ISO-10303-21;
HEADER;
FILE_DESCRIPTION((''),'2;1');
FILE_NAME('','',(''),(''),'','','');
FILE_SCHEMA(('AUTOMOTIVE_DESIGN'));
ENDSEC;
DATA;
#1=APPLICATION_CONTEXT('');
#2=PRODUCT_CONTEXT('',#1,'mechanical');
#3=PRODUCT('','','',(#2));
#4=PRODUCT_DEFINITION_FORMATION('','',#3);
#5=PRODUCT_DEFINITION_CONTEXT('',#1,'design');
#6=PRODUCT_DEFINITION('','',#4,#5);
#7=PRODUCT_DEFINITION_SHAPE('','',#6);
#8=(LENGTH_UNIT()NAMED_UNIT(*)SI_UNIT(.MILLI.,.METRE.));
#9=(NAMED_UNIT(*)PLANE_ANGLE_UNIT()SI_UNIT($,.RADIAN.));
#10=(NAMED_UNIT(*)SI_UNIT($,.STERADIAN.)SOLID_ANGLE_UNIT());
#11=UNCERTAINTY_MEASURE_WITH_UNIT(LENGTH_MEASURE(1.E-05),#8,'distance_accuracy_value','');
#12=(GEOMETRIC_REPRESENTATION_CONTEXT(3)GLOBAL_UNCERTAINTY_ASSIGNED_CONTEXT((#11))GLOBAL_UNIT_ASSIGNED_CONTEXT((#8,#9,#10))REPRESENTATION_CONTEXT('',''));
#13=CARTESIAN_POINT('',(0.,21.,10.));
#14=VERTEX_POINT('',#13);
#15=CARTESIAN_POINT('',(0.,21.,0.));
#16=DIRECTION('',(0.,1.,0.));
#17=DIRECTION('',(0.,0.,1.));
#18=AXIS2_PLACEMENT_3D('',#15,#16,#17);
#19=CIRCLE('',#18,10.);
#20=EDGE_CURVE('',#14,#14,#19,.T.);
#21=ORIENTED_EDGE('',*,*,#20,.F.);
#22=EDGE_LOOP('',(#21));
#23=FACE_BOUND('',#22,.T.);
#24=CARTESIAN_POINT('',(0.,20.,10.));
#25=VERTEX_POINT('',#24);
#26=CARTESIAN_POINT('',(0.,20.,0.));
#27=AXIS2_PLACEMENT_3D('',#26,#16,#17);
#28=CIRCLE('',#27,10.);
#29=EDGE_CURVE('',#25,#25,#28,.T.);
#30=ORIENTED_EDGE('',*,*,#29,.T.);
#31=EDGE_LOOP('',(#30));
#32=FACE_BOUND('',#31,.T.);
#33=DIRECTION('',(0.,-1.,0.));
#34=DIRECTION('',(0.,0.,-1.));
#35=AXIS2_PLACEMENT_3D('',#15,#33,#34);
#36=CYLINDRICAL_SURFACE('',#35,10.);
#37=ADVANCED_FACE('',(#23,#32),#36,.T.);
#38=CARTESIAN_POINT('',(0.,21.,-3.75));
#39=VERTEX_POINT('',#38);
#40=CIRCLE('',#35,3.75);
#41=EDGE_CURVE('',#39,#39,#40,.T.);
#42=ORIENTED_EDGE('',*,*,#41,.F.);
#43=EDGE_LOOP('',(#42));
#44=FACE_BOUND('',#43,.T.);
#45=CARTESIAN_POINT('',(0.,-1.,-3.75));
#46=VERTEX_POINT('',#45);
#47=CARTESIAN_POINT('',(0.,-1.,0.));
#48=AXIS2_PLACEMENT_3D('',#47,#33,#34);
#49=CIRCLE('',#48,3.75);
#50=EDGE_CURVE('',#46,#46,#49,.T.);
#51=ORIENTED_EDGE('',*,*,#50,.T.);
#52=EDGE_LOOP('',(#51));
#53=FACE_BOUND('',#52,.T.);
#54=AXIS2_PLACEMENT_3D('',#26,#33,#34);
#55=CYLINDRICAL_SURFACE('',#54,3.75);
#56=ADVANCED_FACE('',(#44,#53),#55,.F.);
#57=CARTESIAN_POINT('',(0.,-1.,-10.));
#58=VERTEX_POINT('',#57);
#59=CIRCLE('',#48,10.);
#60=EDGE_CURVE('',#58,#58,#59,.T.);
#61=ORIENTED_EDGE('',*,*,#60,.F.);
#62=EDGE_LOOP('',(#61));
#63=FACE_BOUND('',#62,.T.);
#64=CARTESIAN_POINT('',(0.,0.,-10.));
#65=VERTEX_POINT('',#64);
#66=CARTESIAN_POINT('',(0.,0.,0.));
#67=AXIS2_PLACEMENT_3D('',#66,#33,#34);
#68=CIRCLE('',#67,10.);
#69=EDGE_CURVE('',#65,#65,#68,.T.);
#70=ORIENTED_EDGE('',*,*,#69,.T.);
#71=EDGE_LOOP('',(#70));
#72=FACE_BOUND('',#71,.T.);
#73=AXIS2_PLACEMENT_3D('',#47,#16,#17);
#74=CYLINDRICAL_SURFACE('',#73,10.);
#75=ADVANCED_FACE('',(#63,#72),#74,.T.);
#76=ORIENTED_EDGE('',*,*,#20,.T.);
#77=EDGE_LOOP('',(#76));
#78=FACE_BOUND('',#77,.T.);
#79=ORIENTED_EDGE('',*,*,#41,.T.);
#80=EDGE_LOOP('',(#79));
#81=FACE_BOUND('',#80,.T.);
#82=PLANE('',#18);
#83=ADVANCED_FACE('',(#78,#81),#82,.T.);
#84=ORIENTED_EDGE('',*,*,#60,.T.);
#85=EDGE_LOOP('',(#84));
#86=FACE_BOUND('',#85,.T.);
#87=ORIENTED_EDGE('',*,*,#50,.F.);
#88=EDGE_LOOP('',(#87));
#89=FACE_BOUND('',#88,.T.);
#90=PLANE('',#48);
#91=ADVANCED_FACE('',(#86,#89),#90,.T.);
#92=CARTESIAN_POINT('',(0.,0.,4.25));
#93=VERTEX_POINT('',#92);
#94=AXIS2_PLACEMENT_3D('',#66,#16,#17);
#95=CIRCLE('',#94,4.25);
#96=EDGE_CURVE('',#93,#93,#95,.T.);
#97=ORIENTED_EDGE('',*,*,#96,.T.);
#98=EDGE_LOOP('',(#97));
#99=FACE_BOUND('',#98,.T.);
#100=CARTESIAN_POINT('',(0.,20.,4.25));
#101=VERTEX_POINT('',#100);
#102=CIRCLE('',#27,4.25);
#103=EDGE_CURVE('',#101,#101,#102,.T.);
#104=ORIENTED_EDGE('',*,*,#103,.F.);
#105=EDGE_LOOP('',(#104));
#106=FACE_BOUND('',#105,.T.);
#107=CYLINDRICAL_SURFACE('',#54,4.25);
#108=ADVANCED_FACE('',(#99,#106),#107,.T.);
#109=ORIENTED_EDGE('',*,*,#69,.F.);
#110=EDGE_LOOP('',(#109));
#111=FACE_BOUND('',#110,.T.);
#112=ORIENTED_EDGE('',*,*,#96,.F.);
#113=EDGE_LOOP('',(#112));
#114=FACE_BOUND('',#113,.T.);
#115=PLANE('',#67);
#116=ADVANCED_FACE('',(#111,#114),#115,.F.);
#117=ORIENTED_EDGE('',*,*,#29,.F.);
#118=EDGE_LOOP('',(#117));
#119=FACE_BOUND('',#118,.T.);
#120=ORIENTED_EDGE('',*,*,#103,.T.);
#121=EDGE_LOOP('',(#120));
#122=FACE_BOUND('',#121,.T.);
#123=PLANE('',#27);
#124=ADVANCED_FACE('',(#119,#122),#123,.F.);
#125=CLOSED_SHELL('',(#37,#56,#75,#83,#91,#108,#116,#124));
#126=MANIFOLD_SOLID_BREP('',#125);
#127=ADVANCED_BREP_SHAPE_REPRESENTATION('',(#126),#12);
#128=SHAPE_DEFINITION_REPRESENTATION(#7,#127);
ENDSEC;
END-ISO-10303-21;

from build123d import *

# Parameters (mm, degrees)
SKETCH3_R           = 4.25
SKETCH3_R_2         = 3.75
BOSS_EXTRUDE1_DEPTH = 20
SKETCH21_R          = 10
BOSS_EXTRUDE2_DEPTH = 1
SKETCH29_R          = 1.75
CUT_EXTRUDE6_DEPTH  = 8.3
BOSS_EXTRUDE5_START = 1
SKETCH33_R          = 10
BOSS_EXTRUDE5_DEPTH = 1
SKETCH35_R          = 3.75
CUT_EXTRUDE8_DEPTH  = 27.153393661


with BuildPart() as part:
    # Sketch3 → Boss-Extrude1 (new body)
    with BuildSketch(Plane(origin=(0, 0, 0), x_dir=(1, 0, 0), z_dir=(0, 1, 0))):
        with Locations(Location((0, 0, 0), (0, 0, 270))):
            Circle(SKETCH3_R)
        with Locations(Location((0, 0, 0), (0, 0, 270))):
            Circle(SKETCH3_R_2, mode=Mode.SUBTRACT)
    extrude(amount=BOSS_EXTRUDE1_DEPTH)

    # Sketch21 → Boss-Extrude2 (add)
    with BuildSketch(Plane(origin=(0, 20, 0), x_dir=(1, 0, 0), z_dir=(0, 1, 0))):
        with Locations(Location((0, 0, 0), (0, 0, 270))):
            Circle(SKETCH21_R)
    extrude(amount=BOSS_EXTRUDE2_DEPTH)

    # Sketch29 → Cut-Extrude6 (cut)
    with BuildSketch(Plane(origin=(0, 21, 0), x_dir=(1, 0, 0), z_dir=(0, 1, 0))):
        with Locations(Location((0, 0, 0), (0, 0, 270))):
            Circle(SKETCH29_R)
    extrude(amount=-CUT_EXTRUDE6_DEPTH, mode=Mode.SUBTRACT)

    # Sketch33 → Boss-Extrude5 (add)
    with BuildSketch(Plane.XZ.offset(BOSS_EXTRUDE5_START)):
        with Locations(Location((0, 0, 0), (0, 0, 90))):
            Circle(SKETCH33_R)
    extrude(amount=-BOSS_EXTRUDE5_DEPTH)

    # Sketch35 → Cut-Extrude8 (cut, through all)
    with BuildSketch(Plane.XZ.offset(1)):
        with Locations(Location((0, 0, 0), (0, 0, 270))):
            Circle(SKETCH35_R)
    extrude(amount=-CUT_EXTRUDE8_DEPTH, mode=Mode.SUBTRACT)


solid = part.part
